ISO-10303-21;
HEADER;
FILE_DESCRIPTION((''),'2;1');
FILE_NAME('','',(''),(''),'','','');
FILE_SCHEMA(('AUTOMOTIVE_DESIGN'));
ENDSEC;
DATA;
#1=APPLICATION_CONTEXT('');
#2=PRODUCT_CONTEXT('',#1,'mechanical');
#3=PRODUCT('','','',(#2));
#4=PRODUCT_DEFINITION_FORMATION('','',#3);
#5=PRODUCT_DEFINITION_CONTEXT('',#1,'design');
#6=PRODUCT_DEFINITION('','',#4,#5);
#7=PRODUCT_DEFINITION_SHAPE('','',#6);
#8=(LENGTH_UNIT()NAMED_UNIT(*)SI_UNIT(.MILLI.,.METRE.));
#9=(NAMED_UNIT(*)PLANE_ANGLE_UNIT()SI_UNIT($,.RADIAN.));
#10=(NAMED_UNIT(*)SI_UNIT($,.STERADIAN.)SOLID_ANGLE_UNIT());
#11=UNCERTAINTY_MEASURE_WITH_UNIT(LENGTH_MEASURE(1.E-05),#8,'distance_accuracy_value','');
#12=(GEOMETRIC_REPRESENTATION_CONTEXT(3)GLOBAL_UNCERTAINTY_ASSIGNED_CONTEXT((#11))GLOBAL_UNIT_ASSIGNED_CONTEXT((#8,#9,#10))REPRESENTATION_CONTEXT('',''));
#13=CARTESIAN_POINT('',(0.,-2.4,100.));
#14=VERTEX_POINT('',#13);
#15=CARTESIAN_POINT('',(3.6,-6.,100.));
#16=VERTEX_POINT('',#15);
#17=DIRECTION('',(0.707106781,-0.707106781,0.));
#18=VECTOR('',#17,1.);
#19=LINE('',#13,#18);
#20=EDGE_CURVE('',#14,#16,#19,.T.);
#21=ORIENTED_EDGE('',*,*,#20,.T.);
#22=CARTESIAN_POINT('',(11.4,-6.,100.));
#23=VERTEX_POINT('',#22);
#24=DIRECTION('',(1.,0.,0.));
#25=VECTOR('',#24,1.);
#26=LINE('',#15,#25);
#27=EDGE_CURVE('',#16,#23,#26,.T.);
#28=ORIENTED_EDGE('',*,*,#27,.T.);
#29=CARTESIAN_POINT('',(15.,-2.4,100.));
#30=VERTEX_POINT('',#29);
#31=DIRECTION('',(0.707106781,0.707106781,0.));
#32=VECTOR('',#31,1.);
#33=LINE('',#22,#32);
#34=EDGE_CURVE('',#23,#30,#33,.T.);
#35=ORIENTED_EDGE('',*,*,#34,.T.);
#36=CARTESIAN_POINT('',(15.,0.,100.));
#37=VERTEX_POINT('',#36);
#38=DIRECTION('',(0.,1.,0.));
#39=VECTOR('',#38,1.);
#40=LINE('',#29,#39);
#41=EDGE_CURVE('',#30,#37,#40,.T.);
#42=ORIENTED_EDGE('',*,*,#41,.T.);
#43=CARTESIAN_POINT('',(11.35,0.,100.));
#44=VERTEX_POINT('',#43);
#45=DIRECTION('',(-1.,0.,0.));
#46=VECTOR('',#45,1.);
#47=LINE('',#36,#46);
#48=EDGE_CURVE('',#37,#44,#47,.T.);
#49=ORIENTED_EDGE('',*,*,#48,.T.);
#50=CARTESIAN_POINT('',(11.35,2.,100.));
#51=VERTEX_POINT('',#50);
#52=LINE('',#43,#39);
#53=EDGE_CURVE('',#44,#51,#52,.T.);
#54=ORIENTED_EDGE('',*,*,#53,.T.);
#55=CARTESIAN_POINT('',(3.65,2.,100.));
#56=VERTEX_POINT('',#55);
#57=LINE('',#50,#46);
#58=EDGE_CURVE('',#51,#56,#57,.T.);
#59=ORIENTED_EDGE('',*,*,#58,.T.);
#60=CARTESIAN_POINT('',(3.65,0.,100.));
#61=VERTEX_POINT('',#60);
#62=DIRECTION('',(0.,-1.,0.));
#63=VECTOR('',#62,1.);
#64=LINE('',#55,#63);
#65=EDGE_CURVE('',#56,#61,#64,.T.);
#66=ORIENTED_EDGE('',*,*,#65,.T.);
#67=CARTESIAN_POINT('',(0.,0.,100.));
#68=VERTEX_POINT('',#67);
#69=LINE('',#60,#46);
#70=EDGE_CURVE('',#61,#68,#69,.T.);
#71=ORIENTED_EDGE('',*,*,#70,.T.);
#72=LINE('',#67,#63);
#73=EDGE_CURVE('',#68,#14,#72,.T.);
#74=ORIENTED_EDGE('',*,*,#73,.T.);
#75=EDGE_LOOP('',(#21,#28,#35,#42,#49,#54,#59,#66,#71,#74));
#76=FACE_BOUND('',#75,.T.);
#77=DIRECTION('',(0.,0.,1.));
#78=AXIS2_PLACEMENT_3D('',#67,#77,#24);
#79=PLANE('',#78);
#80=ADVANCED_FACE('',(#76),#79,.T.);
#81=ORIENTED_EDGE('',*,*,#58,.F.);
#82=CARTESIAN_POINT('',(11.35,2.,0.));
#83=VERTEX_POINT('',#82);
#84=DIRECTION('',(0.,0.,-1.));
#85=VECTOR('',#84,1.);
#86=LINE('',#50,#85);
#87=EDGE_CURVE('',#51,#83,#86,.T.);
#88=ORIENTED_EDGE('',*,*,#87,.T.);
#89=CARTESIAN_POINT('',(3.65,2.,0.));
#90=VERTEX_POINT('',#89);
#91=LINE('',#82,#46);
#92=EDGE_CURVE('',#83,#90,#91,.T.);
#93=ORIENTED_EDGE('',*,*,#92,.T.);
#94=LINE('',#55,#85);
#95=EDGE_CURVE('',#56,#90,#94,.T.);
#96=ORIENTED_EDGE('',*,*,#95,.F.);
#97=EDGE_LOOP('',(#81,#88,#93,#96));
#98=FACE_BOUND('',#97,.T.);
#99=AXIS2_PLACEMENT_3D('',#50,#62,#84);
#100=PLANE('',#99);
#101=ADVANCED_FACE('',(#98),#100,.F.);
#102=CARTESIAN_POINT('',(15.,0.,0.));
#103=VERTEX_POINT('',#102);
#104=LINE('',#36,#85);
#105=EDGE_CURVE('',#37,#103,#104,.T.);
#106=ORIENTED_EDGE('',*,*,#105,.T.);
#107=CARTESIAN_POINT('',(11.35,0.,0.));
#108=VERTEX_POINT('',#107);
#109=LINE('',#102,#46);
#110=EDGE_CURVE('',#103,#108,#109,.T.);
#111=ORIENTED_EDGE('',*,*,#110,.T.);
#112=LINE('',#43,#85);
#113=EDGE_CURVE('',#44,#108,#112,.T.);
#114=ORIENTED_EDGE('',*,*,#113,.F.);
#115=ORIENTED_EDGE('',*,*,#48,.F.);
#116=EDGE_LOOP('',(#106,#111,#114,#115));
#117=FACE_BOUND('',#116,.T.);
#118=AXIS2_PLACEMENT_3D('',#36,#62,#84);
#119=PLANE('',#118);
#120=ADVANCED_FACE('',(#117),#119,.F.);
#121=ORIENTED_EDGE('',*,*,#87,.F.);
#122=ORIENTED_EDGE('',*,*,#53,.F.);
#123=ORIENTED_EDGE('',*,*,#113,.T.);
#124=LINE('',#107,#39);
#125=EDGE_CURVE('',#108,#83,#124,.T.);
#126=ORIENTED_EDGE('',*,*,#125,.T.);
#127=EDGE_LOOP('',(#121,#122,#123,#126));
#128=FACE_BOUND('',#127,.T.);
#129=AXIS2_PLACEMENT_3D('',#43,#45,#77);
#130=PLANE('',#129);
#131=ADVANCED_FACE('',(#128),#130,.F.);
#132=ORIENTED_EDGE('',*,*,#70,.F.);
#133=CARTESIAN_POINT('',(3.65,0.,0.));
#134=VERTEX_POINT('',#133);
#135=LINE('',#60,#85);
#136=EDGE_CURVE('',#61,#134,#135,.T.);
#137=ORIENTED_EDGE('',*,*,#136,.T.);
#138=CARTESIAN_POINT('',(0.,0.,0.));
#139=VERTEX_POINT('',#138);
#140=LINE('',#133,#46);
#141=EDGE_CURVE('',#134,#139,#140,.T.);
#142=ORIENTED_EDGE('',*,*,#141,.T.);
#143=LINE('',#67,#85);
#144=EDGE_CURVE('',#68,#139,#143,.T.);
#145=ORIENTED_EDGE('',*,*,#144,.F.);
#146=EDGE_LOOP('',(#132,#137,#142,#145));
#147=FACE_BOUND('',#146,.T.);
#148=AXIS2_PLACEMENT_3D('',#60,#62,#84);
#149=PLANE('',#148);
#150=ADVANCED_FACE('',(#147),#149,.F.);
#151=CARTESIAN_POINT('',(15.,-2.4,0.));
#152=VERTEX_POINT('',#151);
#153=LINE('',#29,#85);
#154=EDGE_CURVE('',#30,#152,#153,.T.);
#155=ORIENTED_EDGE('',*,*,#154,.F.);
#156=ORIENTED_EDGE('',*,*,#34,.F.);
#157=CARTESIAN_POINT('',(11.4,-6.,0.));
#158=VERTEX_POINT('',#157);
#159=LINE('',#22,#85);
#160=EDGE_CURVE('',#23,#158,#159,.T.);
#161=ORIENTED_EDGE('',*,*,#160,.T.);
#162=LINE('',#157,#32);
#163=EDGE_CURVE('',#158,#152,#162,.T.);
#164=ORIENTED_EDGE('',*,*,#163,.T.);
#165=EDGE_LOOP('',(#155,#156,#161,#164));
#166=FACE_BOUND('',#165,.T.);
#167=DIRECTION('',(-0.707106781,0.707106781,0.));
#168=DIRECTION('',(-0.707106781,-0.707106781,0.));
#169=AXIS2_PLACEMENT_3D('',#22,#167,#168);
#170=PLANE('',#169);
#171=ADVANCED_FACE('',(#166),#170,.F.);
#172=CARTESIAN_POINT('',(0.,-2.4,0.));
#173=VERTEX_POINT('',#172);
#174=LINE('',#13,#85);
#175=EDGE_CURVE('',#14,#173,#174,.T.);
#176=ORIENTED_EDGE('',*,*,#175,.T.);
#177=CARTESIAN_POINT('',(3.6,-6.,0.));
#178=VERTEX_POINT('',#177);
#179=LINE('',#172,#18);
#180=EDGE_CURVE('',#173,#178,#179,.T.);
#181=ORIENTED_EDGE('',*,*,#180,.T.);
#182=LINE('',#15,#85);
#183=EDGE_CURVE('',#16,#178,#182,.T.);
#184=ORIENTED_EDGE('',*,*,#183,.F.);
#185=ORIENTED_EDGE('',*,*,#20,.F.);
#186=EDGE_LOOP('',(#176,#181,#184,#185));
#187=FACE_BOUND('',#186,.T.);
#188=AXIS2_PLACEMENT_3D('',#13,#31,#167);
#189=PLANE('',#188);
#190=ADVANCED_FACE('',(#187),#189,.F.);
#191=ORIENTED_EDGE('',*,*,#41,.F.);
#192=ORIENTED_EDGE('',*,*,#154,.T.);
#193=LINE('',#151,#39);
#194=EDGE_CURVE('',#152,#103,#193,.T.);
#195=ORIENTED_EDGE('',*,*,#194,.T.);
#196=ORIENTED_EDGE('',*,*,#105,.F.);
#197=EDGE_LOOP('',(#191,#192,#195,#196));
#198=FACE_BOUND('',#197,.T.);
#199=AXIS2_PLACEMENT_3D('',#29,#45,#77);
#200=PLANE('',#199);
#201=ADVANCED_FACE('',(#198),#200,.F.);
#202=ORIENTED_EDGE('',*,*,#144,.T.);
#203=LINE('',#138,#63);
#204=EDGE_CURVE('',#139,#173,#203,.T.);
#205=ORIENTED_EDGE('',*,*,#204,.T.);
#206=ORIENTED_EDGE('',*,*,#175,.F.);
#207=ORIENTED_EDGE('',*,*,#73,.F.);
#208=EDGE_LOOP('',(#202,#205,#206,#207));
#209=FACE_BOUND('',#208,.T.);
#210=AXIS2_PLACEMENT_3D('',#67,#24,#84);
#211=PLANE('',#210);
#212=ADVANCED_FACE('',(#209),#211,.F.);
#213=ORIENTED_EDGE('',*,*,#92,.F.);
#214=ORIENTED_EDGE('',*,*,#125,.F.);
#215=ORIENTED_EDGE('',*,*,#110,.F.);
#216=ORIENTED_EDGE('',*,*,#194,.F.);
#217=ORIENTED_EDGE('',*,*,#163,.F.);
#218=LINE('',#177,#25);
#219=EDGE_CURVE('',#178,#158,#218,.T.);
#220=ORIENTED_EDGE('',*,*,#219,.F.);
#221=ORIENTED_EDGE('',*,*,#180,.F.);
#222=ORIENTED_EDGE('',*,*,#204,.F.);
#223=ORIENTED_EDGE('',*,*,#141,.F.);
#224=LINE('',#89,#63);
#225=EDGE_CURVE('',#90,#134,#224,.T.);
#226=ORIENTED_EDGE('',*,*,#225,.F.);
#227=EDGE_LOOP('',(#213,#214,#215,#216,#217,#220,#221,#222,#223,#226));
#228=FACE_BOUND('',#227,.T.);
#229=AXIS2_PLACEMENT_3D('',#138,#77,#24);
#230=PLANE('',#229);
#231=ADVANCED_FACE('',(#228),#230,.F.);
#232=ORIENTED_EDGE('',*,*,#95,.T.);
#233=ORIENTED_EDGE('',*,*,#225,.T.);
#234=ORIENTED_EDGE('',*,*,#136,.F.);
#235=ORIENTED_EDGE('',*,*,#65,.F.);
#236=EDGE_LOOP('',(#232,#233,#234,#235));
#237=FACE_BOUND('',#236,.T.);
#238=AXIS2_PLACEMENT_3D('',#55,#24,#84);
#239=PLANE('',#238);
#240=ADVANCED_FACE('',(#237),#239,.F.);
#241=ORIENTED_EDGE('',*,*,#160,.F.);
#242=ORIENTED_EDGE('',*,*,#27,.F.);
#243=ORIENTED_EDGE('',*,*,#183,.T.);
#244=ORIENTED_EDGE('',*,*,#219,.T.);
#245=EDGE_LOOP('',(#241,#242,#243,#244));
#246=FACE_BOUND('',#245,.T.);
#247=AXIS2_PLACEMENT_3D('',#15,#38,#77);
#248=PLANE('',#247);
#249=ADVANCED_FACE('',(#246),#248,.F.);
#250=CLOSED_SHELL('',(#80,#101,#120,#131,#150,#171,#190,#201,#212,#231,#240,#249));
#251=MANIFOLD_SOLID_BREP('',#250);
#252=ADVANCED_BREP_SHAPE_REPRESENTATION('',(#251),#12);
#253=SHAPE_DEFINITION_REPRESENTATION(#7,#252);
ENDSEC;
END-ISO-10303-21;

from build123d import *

# Parameters (mm, degrees)
EXTRUDE_1_DEPTH = 100


with BuildPart() as part:
    # 草图1 → 凸台-拉伸1 (new body)
    with BuildSketch(Plane.XY):
        Polygon((11.4, -6), (15, -2.4), (15, 0), (11.35, 0), (11.35, 2), (3.65, 2), (3.65, 0), (0, 0), (0, -2.4), (3.6, -6), align=None)
    extrude(amount=EXTRUDE_1_DEPTH)


solid = part.part
